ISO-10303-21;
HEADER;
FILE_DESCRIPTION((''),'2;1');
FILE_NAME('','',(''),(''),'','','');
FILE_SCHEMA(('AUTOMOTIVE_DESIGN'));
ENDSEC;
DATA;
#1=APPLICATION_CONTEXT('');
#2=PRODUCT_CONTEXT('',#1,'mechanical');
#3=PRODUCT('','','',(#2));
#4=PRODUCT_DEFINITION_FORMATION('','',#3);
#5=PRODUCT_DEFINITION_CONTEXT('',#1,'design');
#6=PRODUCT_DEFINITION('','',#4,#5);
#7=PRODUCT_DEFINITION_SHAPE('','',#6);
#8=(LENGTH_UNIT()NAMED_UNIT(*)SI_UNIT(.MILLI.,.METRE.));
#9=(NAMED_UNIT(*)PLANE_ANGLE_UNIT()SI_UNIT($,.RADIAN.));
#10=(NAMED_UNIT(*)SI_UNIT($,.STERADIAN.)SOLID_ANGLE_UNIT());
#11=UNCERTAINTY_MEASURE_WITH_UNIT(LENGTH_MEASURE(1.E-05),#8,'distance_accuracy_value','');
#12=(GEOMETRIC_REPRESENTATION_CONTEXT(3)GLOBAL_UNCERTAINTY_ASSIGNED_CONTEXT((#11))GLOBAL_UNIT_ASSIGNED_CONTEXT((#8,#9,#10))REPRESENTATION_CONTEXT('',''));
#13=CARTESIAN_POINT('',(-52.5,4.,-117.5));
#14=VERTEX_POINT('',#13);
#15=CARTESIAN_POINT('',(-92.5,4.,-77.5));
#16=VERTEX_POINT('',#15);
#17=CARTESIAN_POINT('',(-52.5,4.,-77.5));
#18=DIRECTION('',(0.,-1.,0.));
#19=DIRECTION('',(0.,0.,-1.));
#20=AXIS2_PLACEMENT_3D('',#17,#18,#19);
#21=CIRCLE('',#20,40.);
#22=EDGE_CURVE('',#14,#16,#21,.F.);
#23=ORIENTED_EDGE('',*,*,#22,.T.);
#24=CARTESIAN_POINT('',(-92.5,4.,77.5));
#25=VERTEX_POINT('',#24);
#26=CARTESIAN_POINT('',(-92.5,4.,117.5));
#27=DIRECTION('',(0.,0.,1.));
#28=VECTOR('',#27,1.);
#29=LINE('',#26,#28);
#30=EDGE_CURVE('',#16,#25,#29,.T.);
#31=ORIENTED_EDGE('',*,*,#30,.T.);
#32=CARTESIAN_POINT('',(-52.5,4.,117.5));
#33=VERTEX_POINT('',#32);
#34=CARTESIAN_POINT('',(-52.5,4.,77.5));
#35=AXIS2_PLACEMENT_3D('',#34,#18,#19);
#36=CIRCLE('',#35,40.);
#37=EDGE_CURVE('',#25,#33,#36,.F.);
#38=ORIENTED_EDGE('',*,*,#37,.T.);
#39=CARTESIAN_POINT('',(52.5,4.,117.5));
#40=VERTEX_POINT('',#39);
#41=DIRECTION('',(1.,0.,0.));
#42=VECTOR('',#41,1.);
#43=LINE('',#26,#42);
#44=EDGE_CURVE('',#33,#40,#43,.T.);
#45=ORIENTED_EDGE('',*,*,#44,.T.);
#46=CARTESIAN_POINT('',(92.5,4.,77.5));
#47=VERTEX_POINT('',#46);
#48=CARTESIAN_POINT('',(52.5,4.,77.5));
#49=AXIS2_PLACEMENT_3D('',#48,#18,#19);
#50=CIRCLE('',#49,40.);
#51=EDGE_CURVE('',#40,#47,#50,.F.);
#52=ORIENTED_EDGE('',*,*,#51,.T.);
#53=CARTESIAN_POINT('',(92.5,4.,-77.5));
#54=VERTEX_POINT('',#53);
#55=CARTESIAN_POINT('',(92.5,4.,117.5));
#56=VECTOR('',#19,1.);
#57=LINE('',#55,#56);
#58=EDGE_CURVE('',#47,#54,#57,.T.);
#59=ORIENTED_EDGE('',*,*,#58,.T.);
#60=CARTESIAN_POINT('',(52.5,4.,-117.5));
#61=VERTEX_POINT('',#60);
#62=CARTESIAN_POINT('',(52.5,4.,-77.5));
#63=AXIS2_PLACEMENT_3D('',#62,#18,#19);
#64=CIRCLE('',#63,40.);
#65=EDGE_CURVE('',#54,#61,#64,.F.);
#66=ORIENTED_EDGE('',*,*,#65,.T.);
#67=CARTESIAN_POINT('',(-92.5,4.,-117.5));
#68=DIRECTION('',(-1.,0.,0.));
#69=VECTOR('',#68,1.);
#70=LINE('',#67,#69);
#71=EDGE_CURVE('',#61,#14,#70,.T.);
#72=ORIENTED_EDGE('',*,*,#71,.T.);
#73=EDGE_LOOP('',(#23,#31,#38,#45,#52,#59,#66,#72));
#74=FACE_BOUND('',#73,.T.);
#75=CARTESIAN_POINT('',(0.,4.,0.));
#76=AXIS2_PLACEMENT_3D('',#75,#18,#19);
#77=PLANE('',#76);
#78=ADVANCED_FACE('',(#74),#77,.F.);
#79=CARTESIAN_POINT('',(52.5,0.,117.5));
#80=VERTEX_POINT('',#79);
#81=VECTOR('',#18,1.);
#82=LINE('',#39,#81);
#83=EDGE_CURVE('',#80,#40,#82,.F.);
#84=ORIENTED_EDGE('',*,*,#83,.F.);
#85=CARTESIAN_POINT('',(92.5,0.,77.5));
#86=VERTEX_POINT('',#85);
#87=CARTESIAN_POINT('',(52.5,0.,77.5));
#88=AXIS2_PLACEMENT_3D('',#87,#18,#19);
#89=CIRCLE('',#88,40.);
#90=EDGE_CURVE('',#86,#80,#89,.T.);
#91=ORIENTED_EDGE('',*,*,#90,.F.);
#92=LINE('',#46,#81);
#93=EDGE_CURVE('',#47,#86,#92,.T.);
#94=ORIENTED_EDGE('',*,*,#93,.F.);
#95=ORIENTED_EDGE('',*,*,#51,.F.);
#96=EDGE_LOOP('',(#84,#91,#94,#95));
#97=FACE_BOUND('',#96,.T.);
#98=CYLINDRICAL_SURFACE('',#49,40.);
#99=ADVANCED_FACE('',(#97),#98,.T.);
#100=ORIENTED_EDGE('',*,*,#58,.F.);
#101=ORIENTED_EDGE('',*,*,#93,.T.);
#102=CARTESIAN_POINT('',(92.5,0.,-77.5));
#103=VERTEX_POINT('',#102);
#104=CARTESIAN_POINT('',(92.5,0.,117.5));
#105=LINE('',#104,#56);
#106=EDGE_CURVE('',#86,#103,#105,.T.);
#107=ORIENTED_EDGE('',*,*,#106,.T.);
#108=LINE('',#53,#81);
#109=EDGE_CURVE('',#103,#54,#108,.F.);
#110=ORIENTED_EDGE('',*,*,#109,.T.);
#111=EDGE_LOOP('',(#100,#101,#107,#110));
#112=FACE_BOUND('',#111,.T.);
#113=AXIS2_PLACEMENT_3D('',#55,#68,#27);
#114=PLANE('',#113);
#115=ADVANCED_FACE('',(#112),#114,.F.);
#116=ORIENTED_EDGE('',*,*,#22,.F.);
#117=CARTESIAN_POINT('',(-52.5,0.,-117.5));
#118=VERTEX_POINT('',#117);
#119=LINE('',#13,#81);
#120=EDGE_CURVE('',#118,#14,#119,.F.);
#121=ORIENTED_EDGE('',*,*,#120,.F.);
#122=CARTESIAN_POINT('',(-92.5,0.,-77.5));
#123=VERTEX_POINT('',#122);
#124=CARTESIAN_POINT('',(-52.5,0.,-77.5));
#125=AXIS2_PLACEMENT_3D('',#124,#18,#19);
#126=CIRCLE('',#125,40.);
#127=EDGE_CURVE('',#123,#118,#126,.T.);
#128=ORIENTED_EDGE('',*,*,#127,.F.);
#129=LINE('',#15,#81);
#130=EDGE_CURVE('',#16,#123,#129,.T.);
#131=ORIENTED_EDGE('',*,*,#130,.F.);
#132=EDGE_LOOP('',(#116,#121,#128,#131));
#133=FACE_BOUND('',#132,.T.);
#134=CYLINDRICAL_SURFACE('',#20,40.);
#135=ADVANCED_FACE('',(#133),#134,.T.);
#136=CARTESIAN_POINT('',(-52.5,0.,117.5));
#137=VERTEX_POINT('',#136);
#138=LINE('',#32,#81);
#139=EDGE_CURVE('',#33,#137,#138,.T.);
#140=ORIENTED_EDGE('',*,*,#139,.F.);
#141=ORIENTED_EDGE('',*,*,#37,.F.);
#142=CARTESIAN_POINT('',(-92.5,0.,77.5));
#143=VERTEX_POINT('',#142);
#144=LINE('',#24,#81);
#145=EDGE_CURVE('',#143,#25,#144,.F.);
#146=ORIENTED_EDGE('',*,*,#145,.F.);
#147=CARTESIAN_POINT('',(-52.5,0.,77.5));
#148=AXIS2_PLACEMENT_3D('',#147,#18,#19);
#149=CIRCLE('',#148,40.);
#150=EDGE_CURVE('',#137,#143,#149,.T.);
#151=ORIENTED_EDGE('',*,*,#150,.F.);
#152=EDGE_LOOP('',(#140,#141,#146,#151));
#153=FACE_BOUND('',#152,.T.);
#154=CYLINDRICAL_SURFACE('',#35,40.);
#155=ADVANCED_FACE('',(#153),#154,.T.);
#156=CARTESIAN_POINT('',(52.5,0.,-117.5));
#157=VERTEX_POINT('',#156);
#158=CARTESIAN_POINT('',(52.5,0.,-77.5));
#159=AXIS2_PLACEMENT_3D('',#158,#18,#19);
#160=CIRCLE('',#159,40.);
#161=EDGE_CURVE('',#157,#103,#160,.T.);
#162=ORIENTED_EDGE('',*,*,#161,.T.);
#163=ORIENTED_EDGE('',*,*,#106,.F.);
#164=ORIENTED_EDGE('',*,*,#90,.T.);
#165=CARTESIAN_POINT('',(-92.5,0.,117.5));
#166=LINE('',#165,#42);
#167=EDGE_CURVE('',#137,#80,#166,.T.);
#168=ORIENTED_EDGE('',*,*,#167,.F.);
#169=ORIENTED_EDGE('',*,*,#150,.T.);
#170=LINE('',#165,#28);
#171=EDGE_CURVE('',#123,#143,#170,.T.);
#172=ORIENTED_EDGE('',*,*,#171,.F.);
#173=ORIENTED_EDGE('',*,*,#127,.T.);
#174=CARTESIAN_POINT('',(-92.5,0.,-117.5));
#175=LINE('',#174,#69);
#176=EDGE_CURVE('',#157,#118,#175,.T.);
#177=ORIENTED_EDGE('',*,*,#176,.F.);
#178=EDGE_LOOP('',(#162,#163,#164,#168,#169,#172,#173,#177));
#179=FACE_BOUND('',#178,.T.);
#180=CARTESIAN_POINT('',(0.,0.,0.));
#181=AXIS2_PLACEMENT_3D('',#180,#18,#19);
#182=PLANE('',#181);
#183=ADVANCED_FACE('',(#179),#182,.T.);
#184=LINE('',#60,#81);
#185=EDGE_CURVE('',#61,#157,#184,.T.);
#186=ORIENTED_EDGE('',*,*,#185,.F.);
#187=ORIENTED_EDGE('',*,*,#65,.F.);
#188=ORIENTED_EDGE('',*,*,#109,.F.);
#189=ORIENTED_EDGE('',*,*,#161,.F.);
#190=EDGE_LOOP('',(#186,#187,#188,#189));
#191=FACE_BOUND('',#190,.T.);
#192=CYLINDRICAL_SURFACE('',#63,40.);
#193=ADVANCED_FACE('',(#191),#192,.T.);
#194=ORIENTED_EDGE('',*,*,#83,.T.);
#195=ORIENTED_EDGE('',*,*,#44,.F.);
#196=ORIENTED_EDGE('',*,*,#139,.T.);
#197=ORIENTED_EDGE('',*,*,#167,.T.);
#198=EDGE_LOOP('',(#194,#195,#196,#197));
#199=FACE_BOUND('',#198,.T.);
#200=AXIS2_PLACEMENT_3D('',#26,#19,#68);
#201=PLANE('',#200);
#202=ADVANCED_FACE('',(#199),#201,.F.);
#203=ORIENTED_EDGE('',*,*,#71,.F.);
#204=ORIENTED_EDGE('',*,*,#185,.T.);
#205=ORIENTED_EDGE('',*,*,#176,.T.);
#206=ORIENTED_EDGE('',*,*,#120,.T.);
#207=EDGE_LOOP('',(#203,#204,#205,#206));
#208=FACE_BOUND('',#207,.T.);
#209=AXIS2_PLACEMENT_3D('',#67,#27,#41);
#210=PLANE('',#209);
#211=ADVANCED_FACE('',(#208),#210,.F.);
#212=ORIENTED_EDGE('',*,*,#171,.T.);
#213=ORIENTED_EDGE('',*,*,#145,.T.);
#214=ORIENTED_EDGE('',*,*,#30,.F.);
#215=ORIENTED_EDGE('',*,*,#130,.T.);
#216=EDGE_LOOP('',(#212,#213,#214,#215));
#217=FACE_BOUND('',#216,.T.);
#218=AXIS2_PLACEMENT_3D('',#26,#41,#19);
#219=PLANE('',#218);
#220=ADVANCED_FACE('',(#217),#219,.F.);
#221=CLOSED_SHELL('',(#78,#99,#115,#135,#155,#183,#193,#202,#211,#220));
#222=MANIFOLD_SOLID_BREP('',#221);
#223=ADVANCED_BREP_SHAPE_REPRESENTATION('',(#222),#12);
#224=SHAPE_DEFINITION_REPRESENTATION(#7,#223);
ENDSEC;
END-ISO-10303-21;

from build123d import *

# Parameters (mm, degrees)
SKETCH1_W           = 185
SKETCH1_H           = 235
BOSS_EXTRUDE1_DEPTH = 4
FILLET1_R           = 40


with BuildPart() as part:
    # Sketch1 → Boss-Extrude1 (new body)
    with BuildSketch(Plane(origin=(0, 0, 0), x_dir=(1, 0, 0), z_dir=(0, 1, 0))):
        Rectangle(SKETCH1_W, SKETCH1_H)
    extrude(amount=BOSS_EXTRUDE1_DEPTH)

    # Fillet1
    fillet1_edges = [part.edges().sort_by_distance(p)[0] for p in [
        (92.5, 2, 117.5),
        (-92.5, 2, 117.5),
        (-92.5, 2, -117.5),
        (92.5, 2, -117.5),
    ]]
    fillet(fillet1_edges, radius=FILLET1_R)


solid = part.part
